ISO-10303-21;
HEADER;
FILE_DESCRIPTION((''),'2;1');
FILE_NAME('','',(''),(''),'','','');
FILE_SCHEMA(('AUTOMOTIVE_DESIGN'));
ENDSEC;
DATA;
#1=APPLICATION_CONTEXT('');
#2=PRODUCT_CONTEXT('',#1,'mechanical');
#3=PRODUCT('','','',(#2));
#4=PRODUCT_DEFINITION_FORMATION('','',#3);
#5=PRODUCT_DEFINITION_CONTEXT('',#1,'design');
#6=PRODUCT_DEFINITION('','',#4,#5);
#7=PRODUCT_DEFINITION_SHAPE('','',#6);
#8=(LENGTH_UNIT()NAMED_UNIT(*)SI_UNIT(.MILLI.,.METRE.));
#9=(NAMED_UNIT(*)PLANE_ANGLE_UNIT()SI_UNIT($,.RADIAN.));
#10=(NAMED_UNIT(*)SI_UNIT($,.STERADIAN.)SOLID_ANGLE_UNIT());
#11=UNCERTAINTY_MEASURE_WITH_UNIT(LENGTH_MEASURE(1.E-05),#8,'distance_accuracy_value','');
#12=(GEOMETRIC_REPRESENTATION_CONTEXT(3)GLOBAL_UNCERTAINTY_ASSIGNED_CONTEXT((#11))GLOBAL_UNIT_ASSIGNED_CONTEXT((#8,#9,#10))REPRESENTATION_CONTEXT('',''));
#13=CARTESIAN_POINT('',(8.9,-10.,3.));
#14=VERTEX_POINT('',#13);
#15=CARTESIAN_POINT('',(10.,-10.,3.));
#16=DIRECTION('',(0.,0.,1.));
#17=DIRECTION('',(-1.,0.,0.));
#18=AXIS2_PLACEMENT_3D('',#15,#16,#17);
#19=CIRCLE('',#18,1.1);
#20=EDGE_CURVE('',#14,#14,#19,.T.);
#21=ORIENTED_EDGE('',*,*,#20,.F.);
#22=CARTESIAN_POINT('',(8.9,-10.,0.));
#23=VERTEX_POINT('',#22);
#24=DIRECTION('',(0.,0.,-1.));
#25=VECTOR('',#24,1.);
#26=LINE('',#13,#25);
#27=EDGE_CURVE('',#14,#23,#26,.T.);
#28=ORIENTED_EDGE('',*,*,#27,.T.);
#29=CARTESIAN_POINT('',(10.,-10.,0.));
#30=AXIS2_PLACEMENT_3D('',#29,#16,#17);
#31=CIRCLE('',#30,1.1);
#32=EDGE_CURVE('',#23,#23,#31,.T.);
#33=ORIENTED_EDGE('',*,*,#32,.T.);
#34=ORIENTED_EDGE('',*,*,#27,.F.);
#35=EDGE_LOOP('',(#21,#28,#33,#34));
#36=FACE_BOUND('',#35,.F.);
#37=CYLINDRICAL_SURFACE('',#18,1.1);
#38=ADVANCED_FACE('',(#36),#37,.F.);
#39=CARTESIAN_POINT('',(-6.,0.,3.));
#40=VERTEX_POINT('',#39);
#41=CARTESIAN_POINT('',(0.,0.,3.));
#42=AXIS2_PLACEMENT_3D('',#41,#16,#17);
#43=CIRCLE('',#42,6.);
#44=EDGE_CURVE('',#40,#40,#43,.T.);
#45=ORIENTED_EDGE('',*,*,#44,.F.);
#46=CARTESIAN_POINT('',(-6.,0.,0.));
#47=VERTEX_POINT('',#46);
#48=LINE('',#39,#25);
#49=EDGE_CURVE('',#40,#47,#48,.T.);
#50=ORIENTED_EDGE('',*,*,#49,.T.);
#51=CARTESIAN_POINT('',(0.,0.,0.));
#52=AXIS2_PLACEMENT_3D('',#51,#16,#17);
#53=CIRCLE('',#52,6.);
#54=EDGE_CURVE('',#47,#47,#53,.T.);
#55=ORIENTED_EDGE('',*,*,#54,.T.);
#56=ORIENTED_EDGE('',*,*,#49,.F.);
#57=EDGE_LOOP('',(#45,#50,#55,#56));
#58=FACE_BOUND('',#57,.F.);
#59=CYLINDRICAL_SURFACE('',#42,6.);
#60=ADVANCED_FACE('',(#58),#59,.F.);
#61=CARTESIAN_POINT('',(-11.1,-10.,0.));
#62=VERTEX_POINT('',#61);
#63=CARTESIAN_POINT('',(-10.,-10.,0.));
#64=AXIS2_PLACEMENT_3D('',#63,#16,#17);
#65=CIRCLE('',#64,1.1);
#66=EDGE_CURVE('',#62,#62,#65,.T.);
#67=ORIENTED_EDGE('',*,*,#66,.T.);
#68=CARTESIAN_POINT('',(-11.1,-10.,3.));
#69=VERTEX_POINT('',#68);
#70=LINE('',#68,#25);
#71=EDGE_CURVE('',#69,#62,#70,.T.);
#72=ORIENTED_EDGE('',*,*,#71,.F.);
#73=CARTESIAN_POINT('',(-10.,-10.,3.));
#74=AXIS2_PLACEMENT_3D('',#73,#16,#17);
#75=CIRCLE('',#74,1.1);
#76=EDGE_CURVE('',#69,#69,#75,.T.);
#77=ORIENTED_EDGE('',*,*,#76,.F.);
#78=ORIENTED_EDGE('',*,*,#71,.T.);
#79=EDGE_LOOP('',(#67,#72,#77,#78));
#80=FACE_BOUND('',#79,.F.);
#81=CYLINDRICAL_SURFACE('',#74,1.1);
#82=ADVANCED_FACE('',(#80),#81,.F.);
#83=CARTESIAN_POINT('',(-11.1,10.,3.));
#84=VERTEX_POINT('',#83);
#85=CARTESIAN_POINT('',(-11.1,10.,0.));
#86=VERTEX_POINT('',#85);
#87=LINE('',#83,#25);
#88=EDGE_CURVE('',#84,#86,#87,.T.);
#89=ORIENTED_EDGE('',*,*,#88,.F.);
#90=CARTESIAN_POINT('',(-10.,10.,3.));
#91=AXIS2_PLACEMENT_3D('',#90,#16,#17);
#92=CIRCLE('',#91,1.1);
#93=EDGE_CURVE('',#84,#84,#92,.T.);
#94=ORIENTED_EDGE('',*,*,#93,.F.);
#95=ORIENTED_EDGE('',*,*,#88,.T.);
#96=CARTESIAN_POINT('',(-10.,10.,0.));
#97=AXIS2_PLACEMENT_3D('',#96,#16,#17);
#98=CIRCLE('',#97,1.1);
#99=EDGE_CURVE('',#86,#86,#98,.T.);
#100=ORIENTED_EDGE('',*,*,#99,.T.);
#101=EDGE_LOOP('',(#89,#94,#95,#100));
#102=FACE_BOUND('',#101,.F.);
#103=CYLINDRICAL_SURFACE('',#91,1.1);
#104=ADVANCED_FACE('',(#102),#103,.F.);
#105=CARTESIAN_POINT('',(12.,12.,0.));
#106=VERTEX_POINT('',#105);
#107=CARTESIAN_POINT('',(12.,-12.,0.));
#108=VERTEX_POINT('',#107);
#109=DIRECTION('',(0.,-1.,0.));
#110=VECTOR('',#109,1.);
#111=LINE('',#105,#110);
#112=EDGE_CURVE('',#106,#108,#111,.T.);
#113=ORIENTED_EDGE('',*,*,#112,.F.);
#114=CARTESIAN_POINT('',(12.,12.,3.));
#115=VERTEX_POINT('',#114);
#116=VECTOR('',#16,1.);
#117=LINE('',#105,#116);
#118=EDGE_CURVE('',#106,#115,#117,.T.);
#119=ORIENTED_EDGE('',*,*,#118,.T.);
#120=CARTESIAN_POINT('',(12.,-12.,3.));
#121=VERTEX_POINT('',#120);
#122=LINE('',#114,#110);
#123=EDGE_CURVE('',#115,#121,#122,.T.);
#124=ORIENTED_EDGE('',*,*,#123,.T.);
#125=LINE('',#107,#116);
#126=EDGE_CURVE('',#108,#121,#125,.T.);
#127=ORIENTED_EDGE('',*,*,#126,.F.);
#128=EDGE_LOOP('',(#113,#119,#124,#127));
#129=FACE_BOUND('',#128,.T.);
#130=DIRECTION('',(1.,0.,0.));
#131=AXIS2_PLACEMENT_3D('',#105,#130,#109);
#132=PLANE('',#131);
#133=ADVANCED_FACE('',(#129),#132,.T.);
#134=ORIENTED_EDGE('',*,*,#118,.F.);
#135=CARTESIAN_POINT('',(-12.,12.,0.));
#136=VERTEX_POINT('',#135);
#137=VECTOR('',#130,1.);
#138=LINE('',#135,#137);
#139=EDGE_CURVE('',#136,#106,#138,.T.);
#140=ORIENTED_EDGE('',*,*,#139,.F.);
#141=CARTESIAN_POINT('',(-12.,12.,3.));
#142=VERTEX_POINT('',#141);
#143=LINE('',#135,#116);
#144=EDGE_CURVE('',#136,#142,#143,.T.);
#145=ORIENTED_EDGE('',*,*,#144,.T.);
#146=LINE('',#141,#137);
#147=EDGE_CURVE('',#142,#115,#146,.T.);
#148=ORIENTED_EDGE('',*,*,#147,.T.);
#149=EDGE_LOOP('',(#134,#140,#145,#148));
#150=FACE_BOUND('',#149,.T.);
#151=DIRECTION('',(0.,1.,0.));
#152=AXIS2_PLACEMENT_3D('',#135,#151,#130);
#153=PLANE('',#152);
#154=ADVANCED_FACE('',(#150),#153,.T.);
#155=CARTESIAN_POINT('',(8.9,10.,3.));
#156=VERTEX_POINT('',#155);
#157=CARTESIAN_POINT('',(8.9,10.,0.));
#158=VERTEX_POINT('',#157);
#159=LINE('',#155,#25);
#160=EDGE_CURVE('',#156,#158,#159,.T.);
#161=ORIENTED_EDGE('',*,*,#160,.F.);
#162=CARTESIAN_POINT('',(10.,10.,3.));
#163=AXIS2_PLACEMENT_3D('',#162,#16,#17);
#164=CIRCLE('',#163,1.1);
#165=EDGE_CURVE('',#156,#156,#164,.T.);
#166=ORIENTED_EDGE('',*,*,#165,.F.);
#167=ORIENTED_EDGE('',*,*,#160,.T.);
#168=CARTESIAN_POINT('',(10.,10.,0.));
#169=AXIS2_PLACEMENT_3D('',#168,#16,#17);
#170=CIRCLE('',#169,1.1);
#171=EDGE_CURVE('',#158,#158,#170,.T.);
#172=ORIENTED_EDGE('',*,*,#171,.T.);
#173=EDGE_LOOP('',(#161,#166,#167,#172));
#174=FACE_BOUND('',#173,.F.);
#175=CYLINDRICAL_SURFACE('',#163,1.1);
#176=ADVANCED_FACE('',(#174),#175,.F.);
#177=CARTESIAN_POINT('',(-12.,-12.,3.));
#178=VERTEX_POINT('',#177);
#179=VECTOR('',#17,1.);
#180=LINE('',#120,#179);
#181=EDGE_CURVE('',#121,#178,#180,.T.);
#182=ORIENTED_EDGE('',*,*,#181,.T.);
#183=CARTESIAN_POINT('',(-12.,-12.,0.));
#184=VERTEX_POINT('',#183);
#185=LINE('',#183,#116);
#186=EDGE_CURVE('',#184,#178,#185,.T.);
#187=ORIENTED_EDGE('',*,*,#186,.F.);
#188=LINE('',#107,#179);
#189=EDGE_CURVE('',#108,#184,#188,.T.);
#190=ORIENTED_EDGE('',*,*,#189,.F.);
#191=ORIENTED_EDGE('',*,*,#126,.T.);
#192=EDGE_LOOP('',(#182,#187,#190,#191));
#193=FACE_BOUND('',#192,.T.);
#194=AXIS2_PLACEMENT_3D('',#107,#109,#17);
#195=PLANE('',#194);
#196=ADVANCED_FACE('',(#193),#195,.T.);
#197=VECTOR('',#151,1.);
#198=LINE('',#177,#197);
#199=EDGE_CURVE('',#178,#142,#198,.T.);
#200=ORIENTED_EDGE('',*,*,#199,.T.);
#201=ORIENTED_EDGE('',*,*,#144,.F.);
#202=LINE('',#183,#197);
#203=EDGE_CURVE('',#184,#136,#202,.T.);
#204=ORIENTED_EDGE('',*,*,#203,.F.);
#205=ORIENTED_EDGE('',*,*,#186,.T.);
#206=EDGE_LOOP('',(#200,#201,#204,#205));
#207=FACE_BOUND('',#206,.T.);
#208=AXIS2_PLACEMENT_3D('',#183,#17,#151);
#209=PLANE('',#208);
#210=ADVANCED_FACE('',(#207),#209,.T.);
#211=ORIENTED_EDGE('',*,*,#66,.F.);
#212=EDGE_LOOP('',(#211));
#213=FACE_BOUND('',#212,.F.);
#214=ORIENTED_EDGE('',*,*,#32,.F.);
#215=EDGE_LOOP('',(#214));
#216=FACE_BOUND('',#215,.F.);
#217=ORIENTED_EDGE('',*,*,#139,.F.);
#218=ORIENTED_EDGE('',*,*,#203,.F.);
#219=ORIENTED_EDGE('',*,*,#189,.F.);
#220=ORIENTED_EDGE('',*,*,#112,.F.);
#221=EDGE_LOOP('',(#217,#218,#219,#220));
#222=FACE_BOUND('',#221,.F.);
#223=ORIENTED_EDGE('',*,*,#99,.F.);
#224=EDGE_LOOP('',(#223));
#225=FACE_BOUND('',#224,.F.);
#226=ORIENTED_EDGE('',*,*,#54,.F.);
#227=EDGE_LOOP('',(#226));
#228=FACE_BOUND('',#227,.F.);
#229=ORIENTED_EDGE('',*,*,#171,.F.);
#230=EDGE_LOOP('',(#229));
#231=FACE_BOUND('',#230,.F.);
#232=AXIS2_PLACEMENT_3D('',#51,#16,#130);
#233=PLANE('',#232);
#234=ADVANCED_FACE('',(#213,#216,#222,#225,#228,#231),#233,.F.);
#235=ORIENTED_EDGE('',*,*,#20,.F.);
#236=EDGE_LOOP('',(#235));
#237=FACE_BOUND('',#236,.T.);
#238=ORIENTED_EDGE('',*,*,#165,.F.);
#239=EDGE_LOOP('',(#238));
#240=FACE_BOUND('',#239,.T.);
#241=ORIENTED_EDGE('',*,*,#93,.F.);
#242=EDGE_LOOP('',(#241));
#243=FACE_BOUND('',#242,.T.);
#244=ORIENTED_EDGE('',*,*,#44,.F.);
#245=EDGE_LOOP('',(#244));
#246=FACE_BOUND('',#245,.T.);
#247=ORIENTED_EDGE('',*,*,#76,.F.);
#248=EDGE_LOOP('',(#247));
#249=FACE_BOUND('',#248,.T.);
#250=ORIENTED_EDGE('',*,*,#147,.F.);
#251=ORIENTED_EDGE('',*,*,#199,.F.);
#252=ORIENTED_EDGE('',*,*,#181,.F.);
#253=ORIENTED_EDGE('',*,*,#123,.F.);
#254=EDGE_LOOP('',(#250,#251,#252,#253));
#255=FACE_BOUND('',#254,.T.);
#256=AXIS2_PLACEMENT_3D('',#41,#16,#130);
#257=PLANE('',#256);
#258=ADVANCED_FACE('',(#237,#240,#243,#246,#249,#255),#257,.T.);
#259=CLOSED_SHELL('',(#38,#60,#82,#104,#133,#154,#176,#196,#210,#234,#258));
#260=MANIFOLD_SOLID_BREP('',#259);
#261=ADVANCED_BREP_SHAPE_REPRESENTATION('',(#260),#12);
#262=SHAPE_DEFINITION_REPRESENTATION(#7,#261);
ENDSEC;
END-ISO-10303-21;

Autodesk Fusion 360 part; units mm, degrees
sketch "Sketch1" plane through (0, 0, 0) normal (0, 0, 1) x (1, 0, 0)
  line L0 (12, -12) -> (-12, -12)
  line L1 (-12, -12) -> (-12, 12)
  line L2 (-12, 12) -> (12, 12)
  line L3 (12, 12) -> (12, -12)
  line L4 (12, -12) -> (-12, 12) construction
  line L5 (-12, -12) -> (12, 12) construction
  dimension "d1" = 24
  dimension "d2" = 24
extrude "Extrude1" add sketch "Sketch1" along normal blind 3
sketch "Sketch2" plane through (0, 0, 3) normal (0, 0, 1) x (-1, 0, 0)
  line L0 (-12, -12) -> (12, -12)
  line L1 (12, -12) -> (12, 12)
  line L2 (12, 12) -> (-12, 12)
  line L3 (-12, 12) -> (-12, -12)
  circle A0 centre (10, -10) radius 1.1
  circle A1 centre (-10, -10) radius 1.1
  circle A2 centre (10, 10) radius 1.1
  circle A3 centre (-10, 10) radius 1.1
  dimension "d5" = 2.2
  dimension "d6" = 2.2
  dimension "d7" = 2.2
  dimension "d8" = 2.2
  dimension "d9" = 10
  dimension "d10" = 10
  dimension "d11" = 10
  dimension "d12" = 10
  dimension "d13" = 10
  dimension "d14" = 10
  dimension "d15" = 10
  dimension "d16" = 10
extrude "Extrude2" cut sketch "Sketch2" against normal through all contours A0 | A1 | A2 | A3
sketch "Sketch3" plane through (0, 0, 3) normal (0, 0, 1) x (-1, 0, 0)
  circle A0 centre (10, -10) radius 1.1
  circle A1 centre (10, 10) radius 1.1
  circle A2 centre (-10, -10) radius 1.1
  circle A3 centre (-10, 10) radius 1.1
  line L0 (-12, -12) -> (12, -12)
  line L1 (12, -12) -> (12, 12)
  line L2 (12, 12) -> (-12, 12)
  line L3 (-12, 12) -> (-12, -12)
  circle A4 centre (0, 0) radius 6
  dimension "d18" = 12
extrude "Extrude3" cut sketch "Sketch3" against normal blind 6 contours A4
